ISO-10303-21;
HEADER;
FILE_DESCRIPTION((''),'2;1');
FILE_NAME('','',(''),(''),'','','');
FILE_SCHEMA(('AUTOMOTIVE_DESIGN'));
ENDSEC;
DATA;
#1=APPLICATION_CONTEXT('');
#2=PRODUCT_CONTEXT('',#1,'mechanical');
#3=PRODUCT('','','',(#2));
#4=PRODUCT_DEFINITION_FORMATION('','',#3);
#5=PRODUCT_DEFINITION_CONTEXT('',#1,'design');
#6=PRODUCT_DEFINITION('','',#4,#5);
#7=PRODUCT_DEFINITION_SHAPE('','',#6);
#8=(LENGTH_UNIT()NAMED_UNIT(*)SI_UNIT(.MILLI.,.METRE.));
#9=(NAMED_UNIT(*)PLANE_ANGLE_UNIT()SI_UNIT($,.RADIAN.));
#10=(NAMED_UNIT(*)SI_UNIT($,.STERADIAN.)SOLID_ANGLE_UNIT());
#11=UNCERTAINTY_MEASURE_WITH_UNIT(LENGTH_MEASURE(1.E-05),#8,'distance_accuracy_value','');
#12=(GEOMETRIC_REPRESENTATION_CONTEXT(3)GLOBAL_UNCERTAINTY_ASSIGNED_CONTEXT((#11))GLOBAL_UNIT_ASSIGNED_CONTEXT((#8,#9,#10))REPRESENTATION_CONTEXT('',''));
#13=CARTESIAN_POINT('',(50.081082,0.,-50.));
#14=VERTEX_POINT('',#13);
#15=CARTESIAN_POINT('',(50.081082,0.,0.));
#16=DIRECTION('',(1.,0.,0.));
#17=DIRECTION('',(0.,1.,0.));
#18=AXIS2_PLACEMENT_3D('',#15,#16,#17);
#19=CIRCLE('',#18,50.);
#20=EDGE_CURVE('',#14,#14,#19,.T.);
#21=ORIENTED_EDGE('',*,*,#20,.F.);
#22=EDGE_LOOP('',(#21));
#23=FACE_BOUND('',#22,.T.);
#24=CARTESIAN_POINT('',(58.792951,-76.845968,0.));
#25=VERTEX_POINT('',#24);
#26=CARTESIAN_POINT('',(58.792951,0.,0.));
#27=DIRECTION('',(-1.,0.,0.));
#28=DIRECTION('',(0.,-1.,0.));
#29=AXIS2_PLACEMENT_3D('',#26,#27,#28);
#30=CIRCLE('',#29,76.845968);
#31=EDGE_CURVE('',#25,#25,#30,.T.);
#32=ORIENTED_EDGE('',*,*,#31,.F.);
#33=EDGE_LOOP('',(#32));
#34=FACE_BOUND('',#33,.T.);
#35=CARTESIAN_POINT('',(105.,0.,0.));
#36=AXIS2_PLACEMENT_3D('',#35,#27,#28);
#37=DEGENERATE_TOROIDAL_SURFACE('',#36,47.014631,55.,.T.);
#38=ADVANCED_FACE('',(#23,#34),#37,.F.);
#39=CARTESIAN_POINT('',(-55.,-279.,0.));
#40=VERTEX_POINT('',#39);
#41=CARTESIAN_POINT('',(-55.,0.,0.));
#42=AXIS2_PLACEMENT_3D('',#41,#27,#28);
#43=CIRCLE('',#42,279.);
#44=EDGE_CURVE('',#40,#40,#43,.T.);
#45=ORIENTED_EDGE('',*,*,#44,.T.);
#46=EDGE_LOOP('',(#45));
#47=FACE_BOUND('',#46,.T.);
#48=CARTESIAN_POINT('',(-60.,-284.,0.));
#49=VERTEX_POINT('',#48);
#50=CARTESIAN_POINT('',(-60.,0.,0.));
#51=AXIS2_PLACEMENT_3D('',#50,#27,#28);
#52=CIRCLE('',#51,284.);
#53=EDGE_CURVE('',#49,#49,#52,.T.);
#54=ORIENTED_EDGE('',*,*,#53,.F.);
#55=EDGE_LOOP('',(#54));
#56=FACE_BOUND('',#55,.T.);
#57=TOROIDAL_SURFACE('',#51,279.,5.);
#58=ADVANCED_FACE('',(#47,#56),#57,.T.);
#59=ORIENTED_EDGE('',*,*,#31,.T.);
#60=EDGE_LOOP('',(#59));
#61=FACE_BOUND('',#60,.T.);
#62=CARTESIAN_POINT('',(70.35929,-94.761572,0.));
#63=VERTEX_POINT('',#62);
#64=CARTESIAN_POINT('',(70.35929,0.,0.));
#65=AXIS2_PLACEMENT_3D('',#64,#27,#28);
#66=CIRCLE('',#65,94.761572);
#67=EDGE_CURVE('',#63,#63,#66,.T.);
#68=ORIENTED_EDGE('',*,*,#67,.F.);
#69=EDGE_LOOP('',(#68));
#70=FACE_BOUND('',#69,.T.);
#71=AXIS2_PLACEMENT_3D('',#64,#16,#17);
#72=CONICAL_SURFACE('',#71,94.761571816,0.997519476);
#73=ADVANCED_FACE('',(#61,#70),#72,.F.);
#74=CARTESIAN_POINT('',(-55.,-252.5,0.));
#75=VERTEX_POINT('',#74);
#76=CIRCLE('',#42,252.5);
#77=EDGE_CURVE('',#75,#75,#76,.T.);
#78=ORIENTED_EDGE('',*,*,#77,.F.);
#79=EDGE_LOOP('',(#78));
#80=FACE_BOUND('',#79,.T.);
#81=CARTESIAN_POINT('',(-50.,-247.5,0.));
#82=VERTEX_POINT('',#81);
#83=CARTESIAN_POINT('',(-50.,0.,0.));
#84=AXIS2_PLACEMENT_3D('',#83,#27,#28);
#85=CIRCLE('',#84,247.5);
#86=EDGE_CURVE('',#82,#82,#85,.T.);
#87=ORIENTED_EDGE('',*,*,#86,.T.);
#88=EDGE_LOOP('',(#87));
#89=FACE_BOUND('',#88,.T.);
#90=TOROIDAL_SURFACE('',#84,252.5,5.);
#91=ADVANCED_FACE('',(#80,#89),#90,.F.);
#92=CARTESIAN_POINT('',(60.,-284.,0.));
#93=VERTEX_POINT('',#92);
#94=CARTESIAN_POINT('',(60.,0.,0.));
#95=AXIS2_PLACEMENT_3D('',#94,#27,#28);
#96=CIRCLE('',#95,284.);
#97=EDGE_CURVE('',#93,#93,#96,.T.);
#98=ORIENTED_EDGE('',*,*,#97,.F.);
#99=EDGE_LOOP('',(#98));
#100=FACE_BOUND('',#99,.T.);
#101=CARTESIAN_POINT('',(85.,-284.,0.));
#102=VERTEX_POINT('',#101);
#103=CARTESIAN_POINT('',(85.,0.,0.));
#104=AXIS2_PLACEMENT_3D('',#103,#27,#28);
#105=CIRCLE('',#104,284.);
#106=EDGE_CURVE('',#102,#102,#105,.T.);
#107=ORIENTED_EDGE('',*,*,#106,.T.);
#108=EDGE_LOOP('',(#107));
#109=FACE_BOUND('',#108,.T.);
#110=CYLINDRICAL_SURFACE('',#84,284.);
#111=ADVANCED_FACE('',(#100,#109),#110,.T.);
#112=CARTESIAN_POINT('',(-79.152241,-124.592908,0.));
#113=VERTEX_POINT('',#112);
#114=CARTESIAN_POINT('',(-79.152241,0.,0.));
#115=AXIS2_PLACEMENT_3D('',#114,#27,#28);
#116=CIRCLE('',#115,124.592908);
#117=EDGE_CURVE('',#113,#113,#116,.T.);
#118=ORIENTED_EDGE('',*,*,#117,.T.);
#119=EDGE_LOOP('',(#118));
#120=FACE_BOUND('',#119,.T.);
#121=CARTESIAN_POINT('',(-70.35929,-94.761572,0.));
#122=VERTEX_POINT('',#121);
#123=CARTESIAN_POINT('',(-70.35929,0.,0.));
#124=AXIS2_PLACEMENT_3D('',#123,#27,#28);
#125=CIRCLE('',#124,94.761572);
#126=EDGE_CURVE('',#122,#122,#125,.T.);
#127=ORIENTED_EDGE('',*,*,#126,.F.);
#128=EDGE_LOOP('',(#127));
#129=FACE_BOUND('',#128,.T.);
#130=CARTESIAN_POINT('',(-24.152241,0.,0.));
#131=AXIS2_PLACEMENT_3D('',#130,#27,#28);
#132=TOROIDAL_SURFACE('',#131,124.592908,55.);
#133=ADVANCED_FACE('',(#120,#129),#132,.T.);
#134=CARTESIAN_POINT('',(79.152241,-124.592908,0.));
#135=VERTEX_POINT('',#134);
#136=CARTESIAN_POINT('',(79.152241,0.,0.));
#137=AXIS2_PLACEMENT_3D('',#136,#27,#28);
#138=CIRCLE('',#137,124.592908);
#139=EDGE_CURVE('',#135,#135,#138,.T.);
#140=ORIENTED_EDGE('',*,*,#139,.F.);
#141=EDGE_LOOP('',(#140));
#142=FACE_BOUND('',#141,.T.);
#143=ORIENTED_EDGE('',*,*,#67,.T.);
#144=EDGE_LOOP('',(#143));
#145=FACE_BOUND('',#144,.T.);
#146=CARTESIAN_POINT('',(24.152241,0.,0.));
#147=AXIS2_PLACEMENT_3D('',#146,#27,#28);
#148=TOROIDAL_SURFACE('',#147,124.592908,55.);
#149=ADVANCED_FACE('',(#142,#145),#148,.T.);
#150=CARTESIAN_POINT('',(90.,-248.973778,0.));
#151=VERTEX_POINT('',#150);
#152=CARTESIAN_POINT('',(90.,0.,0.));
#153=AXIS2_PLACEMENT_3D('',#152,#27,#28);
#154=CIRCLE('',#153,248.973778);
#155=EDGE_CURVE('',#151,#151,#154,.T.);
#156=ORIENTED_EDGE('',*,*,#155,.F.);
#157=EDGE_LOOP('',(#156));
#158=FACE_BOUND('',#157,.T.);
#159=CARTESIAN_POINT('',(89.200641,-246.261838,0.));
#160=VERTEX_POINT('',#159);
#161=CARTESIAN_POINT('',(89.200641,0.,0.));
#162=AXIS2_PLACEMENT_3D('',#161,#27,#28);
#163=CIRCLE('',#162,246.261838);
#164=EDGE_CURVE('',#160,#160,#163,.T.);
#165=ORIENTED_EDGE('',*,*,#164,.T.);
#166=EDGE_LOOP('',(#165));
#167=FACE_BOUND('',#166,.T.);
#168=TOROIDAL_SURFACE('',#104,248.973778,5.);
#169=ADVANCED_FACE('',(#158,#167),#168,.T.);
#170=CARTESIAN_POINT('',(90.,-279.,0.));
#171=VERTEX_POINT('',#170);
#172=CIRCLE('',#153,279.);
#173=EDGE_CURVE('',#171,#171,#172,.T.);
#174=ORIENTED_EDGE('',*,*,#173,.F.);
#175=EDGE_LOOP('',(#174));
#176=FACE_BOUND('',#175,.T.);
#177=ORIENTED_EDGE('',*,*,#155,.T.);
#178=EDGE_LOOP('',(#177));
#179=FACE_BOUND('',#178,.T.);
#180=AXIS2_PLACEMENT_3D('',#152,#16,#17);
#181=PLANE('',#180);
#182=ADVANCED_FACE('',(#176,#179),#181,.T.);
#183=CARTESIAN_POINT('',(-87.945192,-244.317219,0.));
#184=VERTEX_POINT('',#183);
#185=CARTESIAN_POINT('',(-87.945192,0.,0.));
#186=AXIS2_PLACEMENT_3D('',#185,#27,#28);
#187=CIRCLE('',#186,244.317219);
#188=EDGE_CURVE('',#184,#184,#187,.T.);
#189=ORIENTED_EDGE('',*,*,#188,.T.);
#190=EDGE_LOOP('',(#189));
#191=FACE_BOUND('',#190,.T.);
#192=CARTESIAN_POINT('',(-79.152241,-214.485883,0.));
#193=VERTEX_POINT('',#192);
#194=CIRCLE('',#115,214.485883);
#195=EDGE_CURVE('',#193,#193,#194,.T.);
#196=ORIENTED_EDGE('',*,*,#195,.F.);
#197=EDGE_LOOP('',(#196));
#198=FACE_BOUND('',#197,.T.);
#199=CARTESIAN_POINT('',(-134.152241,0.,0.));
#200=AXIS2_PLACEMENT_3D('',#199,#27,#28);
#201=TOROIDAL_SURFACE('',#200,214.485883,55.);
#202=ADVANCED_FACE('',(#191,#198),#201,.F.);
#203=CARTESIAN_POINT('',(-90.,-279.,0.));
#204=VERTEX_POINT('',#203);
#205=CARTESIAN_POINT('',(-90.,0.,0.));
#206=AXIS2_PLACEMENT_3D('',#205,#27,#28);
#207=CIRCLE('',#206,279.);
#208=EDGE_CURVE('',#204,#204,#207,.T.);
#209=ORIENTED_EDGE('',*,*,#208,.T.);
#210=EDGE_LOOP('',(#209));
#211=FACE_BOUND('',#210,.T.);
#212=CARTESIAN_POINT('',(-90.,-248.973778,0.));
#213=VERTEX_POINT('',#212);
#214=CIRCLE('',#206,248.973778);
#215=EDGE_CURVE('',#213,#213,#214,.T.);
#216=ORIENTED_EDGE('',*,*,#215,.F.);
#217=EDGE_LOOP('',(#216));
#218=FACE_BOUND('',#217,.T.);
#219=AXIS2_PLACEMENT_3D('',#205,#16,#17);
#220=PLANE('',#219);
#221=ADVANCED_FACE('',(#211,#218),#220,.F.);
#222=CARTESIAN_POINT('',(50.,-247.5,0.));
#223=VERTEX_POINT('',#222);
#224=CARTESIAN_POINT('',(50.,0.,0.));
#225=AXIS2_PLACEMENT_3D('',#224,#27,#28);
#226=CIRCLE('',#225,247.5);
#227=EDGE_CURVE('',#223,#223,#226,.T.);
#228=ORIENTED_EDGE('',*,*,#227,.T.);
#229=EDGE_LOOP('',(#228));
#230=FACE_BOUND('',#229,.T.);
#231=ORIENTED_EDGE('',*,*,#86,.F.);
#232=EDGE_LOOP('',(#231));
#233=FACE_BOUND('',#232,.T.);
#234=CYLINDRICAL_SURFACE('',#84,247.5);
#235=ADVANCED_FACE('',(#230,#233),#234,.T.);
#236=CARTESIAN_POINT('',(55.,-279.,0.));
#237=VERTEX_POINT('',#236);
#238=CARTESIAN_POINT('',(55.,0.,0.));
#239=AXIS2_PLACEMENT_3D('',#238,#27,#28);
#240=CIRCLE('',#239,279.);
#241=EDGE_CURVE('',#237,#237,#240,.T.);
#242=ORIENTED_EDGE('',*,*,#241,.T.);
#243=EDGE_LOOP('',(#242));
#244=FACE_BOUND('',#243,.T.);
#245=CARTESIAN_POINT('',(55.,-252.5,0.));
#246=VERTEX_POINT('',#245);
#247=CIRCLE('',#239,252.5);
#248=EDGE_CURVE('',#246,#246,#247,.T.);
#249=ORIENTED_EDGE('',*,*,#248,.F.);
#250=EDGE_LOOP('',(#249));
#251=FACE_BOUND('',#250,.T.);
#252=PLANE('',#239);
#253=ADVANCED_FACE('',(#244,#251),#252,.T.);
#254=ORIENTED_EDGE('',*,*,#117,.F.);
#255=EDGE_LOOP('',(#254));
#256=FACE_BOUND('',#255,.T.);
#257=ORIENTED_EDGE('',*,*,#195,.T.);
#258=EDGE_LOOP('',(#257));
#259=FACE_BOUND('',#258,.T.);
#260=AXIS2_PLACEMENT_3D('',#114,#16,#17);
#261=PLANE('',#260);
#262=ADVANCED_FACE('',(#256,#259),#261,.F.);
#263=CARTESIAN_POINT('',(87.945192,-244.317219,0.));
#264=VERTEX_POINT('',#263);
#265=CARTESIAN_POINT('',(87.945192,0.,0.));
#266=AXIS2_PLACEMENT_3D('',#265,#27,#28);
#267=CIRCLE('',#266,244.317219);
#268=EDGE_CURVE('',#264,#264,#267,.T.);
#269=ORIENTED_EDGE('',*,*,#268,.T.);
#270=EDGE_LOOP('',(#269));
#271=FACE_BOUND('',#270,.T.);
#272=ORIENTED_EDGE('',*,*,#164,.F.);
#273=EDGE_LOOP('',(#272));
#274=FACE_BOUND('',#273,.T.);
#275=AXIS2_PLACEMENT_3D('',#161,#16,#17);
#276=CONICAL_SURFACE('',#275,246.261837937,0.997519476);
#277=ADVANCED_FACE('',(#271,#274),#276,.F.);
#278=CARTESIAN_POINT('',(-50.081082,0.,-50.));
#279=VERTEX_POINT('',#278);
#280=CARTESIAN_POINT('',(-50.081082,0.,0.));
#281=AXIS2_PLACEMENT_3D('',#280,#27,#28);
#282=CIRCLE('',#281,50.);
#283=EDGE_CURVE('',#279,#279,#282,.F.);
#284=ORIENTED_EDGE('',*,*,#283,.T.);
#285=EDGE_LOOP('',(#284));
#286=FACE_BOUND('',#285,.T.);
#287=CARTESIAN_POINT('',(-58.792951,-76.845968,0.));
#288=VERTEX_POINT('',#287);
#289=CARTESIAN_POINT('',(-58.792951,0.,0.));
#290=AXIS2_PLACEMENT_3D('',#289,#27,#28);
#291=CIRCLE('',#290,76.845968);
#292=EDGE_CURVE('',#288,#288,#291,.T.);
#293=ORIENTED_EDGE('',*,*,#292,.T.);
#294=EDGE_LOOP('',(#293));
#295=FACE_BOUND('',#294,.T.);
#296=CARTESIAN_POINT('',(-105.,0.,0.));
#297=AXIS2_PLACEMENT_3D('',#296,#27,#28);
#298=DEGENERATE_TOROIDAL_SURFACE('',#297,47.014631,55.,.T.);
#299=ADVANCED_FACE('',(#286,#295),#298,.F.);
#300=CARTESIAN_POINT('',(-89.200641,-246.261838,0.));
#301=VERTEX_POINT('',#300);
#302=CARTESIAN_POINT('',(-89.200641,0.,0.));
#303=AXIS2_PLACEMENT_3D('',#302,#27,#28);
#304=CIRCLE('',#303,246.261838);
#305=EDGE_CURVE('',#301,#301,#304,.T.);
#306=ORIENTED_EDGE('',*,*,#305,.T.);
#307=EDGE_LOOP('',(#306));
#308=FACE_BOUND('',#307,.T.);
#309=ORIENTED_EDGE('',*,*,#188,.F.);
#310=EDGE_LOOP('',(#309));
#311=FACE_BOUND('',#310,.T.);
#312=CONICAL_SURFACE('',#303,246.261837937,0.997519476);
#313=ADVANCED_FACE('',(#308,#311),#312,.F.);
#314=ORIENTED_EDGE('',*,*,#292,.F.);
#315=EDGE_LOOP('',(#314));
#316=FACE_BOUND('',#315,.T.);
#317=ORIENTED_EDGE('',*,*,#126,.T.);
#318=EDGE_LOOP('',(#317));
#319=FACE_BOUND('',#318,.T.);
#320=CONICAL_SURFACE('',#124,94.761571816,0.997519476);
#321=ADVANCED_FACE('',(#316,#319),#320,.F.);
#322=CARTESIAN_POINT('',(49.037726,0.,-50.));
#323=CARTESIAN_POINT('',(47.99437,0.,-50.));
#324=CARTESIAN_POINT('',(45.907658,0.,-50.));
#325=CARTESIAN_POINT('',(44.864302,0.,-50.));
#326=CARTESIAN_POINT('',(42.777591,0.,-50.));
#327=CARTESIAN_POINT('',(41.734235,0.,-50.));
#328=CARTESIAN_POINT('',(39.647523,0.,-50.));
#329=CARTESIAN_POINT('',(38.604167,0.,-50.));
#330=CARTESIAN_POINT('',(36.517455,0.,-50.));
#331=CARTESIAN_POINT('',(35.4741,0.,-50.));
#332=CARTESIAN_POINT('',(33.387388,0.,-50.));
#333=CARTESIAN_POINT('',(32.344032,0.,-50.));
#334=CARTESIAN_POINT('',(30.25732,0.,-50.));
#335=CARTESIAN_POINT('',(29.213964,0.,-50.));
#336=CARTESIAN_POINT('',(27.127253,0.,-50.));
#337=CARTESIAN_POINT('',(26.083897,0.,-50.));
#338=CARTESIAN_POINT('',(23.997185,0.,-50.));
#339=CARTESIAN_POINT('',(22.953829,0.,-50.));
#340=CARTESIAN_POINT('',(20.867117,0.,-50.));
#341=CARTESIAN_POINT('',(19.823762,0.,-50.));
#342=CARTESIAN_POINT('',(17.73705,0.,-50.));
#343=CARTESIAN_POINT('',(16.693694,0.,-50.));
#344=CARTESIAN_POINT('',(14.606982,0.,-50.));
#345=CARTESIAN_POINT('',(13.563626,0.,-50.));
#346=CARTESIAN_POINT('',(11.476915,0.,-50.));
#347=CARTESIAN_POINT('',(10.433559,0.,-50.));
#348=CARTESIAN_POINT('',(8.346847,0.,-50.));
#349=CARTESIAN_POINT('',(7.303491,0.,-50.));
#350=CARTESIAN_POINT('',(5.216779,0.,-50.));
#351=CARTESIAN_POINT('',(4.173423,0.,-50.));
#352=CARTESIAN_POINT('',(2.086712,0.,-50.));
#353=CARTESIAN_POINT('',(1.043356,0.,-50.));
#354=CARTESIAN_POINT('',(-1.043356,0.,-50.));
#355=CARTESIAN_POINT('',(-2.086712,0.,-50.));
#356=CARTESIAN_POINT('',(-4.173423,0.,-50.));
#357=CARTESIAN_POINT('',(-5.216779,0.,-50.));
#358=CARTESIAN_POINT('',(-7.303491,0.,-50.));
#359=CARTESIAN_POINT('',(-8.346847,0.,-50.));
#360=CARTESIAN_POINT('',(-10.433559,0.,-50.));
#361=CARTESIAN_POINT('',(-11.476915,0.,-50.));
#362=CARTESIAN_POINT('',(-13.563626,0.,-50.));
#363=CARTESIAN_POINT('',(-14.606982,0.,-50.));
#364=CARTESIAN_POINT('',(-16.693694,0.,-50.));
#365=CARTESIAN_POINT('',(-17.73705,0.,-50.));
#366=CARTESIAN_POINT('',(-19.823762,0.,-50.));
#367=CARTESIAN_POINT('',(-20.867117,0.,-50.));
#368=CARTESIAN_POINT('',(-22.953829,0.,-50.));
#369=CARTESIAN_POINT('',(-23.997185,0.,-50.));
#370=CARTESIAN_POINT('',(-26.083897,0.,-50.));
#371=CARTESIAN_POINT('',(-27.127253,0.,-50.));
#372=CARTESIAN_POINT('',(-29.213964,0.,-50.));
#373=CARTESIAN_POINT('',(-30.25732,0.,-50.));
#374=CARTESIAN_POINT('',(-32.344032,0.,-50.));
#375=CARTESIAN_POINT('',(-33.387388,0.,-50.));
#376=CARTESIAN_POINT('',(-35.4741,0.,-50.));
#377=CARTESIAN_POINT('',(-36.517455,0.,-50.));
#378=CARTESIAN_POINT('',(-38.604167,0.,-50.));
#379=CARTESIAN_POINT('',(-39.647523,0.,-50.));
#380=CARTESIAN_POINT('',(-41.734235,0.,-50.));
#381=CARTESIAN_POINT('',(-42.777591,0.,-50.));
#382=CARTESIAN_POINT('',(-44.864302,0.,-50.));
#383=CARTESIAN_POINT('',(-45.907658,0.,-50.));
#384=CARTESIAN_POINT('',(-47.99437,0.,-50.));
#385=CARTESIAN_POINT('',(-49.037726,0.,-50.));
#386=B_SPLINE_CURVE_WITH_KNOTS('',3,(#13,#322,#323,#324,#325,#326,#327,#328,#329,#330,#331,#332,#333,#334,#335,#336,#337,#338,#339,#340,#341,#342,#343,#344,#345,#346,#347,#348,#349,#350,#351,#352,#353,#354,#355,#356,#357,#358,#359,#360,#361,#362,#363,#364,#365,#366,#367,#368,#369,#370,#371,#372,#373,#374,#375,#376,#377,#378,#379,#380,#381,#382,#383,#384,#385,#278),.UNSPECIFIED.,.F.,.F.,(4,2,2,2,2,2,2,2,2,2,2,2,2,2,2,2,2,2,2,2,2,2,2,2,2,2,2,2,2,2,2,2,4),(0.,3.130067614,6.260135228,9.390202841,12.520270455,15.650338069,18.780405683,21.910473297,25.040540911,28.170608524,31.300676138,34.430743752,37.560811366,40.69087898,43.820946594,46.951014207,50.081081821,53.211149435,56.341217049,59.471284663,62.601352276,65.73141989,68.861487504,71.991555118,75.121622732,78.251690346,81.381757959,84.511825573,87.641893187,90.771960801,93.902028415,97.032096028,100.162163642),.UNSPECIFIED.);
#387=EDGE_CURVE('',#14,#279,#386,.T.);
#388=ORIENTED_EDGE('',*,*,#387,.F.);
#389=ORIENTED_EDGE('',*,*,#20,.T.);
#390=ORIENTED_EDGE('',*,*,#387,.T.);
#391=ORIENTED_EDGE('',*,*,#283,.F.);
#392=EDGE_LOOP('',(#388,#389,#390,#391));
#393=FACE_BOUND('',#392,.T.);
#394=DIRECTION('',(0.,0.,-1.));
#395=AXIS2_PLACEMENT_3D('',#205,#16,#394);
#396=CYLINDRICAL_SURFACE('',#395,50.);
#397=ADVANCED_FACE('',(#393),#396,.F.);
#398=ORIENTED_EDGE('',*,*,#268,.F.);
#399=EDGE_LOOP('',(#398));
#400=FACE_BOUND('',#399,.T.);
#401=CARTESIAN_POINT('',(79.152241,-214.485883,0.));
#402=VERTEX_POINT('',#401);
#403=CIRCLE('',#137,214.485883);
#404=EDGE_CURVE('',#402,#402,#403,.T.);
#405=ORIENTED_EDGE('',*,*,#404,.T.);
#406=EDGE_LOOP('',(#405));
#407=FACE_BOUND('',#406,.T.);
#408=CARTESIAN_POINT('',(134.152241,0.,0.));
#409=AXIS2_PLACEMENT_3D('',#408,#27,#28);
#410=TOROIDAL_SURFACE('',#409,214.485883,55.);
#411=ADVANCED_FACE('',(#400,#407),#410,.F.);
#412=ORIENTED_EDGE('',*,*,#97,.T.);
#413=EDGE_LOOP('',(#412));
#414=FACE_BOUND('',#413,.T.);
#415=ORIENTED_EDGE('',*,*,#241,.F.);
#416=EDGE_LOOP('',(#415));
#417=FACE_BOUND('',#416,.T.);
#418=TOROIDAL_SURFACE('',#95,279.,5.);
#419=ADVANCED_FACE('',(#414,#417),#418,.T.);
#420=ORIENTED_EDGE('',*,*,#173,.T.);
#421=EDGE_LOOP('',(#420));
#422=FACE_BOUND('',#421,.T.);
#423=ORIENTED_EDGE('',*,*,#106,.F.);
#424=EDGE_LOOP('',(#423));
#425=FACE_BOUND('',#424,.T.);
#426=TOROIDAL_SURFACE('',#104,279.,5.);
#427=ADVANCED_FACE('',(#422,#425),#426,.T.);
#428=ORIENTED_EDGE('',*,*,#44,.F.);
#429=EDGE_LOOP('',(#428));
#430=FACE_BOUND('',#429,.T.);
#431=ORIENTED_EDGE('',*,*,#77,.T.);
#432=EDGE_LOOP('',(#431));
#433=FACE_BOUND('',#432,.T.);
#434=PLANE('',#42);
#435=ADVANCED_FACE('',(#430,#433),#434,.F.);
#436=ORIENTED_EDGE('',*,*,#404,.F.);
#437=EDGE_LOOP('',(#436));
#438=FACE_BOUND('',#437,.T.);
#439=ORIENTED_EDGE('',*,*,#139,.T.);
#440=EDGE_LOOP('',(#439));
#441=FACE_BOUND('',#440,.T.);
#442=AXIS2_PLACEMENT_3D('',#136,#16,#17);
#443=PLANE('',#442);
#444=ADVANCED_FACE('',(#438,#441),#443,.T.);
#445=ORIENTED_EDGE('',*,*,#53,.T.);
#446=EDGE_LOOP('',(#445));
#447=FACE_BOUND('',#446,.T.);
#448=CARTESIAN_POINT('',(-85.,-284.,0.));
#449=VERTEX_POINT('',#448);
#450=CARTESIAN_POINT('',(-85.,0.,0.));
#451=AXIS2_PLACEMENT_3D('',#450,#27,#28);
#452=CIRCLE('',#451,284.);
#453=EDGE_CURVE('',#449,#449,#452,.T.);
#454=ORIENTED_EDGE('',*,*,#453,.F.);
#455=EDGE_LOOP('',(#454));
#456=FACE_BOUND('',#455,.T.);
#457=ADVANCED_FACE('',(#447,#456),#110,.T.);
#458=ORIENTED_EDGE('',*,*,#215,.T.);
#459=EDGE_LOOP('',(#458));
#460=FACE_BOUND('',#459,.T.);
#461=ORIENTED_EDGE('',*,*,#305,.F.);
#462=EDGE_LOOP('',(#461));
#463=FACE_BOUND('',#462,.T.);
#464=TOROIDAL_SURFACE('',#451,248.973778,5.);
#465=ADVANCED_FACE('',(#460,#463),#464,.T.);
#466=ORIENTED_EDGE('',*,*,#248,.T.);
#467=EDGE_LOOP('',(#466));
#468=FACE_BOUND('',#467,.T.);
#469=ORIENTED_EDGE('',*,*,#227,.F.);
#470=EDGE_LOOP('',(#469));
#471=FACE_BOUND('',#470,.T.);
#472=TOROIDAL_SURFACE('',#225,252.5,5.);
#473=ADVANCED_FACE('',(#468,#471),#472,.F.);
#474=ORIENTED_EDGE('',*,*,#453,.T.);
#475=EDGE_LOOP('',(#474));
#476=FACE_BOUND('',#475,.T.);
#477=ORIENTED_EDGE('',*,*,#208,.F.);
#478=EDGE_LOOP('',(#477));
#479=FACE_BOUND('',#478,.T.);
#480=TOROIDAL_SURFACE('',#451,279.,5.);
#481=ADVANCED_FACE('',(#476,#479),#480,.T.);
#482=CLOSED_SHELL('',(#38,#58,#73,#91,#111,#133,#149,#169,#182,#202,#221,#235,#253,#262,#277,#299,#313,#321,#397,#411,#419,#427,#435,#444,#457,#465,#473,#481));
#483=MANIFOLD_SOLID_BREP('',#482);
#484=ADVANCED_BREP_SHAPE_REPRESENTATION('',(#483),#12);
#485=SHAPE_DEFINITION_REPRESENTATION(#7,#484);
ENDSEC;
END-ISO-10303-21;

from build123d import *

# Parameters (mm, degrees)
KES_EKSTR_ZYON1_DEPTH      = 412.596890264
KES_EKSTR_ZYON1_DEPTH_BACK = 412.596890264
IZIM2_R                    = 50


with BuildPart() as part:
    # Çizim1 → Döndür1 (revolve)
    with BuildSketch(Plane.XY):
        with BuildLine():
            Line((90, 248.973777592), (90, 279))
            ThreePointArc((90, 279), (88.535533906, 282.535533906), (85, 284))
            Line((85, 284), (60, 284))
            ThreePointArc((60, 284), (56.464466094, 282.535533906), (55, 279))
            Line((55, 279), (55, 252.5))
            ThreePointArc((55, 252.5), (53.535533906, 248.964466094), (50, 247.5))
            Line((50, 247.5), (-50, 247.5))
            ThreePointArc((-50, 247.5), (-53.535533906, 248.964466094), (-55, 252.5))
            Line((-55, 252.5), (-55, 279))
            ThreePointArc((-55, 279), (-56.464466094, 282.535533906), (-60, 284))
            Line((-60, 284), (-85, 284))
            ThreePointArc((-85, 284), (-88.535533906, 282.535533906), (-90, 279))
            Line((-90, 279), (-90, 248.973777592))
            ThreePointArc((-90, 248.973777592), (-89.795998546, 247.560130554), (-89.200640822, 246.261837937))
            Line((-89.200640822, 246.261837937), (-87.945192346, 244.317219402))
            ThreePointArc((-87.945192346, 244.317219402), (-81.396257376, 230.036000616), (-79.152241383, 214.485883207))
            Line((-79.152241383, 214.485883207), (-79.152241383, 124.592908011))
            ThreePointArc((-79.152241383, 124.592908011), (-76.90822539, 109.042790602), (-70.359290421, 94.761571816))
            Line((-70.359290421, 94.761571816), (-58.792950962, 76.845967531))
            ThreePointArc((-58.792950962, 76.845967531), (-52.244015993, 62.564748745), (-50, 47.014631335))
            Line((-50, 47.014631335), (-50, 0))
            Line((-50, 0), (50, 0))
            Line((50, 0), (50, 47.014631335))
            ThreePointArc((50, 47.014631335), (52.244015993, 62.564748745), (58.792950962, 76.845967531))
            Line((58.792950962, 76.845967531), (70.359290421, 94.761571816))
            ThreePointArc((70.359290421, 94.761571816), (76.90822539, 109.042790602), (79.152241383, 124.592908011))
            Line((79.152241383, 124.592908011), (79.152241383, 214.485883207))
            ThreePointArc((79.152241383, 214.485883207), (81.396257376, 230.036000616), (87.945192346, 244.317219402))
            Line((87.945192346, 244.317219402), (89.200640822, 246.261837937))
            ThreePointArc((89.200640822, 246.261837937), (89.795998546, 247.560130554), (90, 248.973777592))
        make_face()
    revolve(axis=Axis((-50, 0, 0), (1, 0, 0)))

    # Çizim2 → Kes-Ekstrüzyon1 (cut, two sides: drawn at the far end of the back side and taken through both)
    with BuildSketch(Plane(origin=(0, 0, 0), x_dir=(0, 0, -1), z_dir=(1, 0, 0)).offset(-KES_EKSTR_ZYON1_DEPTH_BACK)):
        Circle(IZIM2_R)
    extrude(amount=KES_EKSTR_ZYON1_DEPTH + KES_EKSTR_ZYON1_DEPTH_BACK, mode=Mode.SUBTRACT)


solid = part.part
